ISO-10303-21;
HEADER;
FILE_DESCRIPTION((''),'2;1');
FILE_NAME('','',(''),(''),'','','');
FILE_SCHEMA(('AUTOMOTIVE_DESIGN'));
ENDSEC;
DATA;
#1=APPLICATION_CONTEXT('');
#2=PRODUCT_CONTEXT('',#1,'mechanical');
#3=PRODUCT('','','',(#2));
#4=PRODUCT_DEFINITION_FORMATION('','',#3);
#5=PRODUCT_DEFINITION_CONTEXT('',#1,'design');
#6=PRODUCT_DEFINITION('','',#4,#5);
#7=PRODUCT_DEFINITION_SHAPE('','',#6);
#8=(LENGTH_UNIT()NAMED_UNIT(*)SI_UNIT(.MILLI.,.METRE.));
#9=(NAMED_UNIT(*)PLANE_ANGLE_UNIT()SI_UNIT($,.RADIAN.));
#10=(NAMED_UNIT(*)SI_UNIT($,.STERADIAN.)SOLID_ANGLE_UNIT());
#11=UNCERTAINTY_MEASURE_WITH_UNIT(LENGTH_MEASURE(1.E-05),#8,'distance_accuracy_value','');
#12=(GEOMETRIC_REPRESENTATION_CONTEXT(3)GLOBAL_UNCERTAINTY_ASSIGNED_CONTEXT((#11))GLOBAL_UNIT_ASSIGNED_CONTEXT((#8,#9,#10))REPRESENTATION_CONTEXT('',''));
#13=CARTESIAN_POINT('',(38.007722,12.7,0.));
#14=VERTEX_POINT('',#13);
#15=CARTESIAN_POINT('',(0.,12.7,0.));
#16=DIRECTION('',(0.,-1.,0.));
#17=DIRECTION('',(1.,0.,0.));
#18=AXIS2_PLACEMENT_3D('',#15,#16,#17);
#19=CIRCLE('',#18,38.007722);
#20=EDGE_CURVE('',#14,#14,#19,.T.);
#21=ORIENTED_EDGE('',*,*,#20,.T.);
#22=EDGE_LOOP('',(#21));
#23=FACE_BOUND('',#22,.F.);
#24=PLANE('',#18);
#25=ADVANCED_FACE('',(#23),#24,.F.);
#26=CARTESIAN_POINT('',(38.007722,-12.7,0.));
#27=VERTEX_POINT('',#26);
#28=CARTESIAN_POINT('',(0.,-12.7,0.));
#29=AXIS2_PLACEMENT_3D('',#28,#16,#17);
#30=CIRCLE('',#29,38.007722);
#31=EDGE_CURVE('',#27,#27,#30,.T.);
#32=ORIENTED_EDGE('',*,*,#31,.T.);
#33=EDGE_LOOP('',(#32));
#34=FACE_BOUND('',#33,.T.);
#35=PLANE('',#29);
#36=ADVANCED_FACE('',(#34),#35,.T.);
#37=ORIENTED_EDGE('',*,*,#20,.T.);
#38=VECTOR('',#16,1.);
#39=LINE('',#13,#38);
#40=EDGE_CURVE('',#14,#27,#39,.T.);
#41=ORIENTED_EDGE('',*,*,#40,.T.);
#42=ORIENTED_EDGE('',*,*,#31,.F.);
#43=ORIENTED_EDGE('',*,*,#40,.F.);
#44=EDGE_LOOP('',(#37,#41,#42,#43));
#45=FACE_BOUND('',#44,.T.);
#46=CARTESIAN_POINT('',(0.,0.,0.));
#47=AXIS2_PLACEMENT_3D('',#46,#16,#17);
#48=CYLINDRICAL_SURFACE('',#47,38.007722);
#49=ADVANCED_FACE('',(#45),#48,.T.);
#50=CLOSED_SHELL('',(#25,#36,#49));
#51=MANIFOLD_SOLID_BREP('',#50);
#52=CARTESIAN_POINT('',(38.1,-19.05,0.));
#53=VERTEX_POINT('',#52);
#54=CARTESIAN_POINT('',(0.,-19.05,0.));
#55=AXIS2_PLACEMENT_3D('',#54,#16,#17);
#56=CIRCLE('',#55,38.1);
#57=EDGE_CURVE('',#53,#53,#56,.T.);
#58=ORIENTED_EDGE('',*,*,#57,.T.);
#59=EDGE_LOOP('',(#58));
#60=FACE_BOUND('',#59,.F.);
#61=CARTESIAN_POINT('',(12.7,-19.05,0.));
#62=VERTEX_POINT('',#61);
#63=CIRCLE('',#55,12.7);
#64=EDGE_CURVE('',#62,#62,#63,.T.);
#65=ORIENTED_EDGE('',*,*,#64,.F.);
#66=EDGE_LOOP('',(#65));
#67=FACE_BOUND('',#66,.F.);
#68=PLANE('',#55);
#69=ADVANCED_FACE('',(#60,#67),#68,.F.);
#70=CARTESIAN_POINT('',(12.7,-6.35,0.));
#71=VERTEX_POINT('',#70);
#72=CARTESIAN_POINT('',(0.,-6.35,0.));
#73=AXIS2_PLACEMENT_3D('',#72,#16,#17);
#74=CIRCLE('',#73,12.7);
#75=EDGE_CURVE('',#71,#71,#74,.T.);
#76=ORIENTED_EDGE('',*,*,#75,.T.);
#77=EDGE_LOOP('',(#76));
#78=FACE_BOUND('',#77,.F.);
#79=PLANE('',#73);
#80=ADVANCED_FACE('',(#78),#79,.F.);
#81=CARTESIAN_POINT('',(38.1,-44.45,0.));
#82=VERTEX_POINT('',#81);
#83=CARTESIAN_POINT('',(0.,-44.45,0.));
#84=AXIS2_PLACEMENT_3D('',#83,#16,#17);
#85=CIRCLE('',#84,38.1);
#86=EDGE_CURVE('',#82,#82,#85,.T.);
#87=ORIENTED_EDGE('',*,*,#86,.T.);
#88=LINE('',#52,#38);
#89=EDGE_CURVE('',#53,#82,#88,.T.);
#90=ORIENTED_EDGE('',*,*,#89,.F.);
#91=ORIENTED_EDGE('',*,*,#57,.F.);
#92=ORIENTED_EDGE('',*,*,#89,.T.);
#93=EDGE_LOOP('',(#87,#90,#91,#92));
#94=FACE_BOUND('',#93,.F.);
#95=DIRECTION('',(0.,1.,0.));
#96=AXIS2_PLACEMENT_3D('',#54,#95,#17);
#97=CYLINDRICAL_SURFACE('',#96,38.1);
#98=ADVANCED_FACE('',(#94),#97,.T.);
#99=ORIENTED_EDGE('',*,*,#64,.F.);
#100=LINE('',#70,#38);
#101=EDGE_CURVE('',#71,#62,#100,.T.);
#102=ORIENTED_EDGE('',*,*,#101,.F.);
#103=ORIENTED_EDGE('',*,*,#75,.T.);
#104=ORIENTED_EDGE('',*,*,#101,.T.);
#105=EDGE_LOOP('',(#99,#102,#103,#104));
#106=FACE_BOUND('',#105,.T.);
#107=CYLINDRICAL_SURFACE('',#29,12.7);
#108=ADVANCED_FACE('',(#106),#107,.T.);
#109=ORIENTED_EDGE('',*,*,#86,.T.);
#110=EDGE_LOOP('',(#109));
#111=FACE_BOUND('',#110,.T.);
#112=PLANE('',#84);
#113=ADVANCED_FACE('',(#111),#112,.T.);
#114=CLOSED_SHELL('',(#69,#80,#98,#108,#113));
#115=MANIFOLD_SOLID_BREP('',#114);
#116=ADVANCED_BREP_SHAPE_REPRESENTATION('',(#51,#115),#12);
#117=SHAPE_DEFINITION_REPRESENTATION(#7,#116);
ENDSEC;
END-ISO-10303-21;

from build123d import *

# Parameters (mm, degrees)
F0_R     = 38.007722
F1_DEPTH = 12.7
F2_R     = 12.7
F3_DEPTH = 6.35
F4_R     = 38.1
F5_DEPTH = 25.4


with BuildPart() as f1:
    # F0 (on Front) → F1 (new body, symmetric)
    with BuildSketch(Plane.XZ):
        Circle(F0_R)
    extrude(amount=F1_DEPTH, both=True)


with BuildPart() as f3:
    # F2 (on face) → F3 (new body, symmetric)
    with BuildSketch(Plane.XZ.offset(12.7)):
        Circle(F2_R)
    extrude(amount=F3_DEPTH, both=True)

    # F4 (on face) → F5 (join)
    with BuildSketch(Plane.XZ.offset(19.05)):
        Circle(F4_R)
    extrude(amount=F5_DEPTH)


solid = Compound([f1.part, f3.part])
